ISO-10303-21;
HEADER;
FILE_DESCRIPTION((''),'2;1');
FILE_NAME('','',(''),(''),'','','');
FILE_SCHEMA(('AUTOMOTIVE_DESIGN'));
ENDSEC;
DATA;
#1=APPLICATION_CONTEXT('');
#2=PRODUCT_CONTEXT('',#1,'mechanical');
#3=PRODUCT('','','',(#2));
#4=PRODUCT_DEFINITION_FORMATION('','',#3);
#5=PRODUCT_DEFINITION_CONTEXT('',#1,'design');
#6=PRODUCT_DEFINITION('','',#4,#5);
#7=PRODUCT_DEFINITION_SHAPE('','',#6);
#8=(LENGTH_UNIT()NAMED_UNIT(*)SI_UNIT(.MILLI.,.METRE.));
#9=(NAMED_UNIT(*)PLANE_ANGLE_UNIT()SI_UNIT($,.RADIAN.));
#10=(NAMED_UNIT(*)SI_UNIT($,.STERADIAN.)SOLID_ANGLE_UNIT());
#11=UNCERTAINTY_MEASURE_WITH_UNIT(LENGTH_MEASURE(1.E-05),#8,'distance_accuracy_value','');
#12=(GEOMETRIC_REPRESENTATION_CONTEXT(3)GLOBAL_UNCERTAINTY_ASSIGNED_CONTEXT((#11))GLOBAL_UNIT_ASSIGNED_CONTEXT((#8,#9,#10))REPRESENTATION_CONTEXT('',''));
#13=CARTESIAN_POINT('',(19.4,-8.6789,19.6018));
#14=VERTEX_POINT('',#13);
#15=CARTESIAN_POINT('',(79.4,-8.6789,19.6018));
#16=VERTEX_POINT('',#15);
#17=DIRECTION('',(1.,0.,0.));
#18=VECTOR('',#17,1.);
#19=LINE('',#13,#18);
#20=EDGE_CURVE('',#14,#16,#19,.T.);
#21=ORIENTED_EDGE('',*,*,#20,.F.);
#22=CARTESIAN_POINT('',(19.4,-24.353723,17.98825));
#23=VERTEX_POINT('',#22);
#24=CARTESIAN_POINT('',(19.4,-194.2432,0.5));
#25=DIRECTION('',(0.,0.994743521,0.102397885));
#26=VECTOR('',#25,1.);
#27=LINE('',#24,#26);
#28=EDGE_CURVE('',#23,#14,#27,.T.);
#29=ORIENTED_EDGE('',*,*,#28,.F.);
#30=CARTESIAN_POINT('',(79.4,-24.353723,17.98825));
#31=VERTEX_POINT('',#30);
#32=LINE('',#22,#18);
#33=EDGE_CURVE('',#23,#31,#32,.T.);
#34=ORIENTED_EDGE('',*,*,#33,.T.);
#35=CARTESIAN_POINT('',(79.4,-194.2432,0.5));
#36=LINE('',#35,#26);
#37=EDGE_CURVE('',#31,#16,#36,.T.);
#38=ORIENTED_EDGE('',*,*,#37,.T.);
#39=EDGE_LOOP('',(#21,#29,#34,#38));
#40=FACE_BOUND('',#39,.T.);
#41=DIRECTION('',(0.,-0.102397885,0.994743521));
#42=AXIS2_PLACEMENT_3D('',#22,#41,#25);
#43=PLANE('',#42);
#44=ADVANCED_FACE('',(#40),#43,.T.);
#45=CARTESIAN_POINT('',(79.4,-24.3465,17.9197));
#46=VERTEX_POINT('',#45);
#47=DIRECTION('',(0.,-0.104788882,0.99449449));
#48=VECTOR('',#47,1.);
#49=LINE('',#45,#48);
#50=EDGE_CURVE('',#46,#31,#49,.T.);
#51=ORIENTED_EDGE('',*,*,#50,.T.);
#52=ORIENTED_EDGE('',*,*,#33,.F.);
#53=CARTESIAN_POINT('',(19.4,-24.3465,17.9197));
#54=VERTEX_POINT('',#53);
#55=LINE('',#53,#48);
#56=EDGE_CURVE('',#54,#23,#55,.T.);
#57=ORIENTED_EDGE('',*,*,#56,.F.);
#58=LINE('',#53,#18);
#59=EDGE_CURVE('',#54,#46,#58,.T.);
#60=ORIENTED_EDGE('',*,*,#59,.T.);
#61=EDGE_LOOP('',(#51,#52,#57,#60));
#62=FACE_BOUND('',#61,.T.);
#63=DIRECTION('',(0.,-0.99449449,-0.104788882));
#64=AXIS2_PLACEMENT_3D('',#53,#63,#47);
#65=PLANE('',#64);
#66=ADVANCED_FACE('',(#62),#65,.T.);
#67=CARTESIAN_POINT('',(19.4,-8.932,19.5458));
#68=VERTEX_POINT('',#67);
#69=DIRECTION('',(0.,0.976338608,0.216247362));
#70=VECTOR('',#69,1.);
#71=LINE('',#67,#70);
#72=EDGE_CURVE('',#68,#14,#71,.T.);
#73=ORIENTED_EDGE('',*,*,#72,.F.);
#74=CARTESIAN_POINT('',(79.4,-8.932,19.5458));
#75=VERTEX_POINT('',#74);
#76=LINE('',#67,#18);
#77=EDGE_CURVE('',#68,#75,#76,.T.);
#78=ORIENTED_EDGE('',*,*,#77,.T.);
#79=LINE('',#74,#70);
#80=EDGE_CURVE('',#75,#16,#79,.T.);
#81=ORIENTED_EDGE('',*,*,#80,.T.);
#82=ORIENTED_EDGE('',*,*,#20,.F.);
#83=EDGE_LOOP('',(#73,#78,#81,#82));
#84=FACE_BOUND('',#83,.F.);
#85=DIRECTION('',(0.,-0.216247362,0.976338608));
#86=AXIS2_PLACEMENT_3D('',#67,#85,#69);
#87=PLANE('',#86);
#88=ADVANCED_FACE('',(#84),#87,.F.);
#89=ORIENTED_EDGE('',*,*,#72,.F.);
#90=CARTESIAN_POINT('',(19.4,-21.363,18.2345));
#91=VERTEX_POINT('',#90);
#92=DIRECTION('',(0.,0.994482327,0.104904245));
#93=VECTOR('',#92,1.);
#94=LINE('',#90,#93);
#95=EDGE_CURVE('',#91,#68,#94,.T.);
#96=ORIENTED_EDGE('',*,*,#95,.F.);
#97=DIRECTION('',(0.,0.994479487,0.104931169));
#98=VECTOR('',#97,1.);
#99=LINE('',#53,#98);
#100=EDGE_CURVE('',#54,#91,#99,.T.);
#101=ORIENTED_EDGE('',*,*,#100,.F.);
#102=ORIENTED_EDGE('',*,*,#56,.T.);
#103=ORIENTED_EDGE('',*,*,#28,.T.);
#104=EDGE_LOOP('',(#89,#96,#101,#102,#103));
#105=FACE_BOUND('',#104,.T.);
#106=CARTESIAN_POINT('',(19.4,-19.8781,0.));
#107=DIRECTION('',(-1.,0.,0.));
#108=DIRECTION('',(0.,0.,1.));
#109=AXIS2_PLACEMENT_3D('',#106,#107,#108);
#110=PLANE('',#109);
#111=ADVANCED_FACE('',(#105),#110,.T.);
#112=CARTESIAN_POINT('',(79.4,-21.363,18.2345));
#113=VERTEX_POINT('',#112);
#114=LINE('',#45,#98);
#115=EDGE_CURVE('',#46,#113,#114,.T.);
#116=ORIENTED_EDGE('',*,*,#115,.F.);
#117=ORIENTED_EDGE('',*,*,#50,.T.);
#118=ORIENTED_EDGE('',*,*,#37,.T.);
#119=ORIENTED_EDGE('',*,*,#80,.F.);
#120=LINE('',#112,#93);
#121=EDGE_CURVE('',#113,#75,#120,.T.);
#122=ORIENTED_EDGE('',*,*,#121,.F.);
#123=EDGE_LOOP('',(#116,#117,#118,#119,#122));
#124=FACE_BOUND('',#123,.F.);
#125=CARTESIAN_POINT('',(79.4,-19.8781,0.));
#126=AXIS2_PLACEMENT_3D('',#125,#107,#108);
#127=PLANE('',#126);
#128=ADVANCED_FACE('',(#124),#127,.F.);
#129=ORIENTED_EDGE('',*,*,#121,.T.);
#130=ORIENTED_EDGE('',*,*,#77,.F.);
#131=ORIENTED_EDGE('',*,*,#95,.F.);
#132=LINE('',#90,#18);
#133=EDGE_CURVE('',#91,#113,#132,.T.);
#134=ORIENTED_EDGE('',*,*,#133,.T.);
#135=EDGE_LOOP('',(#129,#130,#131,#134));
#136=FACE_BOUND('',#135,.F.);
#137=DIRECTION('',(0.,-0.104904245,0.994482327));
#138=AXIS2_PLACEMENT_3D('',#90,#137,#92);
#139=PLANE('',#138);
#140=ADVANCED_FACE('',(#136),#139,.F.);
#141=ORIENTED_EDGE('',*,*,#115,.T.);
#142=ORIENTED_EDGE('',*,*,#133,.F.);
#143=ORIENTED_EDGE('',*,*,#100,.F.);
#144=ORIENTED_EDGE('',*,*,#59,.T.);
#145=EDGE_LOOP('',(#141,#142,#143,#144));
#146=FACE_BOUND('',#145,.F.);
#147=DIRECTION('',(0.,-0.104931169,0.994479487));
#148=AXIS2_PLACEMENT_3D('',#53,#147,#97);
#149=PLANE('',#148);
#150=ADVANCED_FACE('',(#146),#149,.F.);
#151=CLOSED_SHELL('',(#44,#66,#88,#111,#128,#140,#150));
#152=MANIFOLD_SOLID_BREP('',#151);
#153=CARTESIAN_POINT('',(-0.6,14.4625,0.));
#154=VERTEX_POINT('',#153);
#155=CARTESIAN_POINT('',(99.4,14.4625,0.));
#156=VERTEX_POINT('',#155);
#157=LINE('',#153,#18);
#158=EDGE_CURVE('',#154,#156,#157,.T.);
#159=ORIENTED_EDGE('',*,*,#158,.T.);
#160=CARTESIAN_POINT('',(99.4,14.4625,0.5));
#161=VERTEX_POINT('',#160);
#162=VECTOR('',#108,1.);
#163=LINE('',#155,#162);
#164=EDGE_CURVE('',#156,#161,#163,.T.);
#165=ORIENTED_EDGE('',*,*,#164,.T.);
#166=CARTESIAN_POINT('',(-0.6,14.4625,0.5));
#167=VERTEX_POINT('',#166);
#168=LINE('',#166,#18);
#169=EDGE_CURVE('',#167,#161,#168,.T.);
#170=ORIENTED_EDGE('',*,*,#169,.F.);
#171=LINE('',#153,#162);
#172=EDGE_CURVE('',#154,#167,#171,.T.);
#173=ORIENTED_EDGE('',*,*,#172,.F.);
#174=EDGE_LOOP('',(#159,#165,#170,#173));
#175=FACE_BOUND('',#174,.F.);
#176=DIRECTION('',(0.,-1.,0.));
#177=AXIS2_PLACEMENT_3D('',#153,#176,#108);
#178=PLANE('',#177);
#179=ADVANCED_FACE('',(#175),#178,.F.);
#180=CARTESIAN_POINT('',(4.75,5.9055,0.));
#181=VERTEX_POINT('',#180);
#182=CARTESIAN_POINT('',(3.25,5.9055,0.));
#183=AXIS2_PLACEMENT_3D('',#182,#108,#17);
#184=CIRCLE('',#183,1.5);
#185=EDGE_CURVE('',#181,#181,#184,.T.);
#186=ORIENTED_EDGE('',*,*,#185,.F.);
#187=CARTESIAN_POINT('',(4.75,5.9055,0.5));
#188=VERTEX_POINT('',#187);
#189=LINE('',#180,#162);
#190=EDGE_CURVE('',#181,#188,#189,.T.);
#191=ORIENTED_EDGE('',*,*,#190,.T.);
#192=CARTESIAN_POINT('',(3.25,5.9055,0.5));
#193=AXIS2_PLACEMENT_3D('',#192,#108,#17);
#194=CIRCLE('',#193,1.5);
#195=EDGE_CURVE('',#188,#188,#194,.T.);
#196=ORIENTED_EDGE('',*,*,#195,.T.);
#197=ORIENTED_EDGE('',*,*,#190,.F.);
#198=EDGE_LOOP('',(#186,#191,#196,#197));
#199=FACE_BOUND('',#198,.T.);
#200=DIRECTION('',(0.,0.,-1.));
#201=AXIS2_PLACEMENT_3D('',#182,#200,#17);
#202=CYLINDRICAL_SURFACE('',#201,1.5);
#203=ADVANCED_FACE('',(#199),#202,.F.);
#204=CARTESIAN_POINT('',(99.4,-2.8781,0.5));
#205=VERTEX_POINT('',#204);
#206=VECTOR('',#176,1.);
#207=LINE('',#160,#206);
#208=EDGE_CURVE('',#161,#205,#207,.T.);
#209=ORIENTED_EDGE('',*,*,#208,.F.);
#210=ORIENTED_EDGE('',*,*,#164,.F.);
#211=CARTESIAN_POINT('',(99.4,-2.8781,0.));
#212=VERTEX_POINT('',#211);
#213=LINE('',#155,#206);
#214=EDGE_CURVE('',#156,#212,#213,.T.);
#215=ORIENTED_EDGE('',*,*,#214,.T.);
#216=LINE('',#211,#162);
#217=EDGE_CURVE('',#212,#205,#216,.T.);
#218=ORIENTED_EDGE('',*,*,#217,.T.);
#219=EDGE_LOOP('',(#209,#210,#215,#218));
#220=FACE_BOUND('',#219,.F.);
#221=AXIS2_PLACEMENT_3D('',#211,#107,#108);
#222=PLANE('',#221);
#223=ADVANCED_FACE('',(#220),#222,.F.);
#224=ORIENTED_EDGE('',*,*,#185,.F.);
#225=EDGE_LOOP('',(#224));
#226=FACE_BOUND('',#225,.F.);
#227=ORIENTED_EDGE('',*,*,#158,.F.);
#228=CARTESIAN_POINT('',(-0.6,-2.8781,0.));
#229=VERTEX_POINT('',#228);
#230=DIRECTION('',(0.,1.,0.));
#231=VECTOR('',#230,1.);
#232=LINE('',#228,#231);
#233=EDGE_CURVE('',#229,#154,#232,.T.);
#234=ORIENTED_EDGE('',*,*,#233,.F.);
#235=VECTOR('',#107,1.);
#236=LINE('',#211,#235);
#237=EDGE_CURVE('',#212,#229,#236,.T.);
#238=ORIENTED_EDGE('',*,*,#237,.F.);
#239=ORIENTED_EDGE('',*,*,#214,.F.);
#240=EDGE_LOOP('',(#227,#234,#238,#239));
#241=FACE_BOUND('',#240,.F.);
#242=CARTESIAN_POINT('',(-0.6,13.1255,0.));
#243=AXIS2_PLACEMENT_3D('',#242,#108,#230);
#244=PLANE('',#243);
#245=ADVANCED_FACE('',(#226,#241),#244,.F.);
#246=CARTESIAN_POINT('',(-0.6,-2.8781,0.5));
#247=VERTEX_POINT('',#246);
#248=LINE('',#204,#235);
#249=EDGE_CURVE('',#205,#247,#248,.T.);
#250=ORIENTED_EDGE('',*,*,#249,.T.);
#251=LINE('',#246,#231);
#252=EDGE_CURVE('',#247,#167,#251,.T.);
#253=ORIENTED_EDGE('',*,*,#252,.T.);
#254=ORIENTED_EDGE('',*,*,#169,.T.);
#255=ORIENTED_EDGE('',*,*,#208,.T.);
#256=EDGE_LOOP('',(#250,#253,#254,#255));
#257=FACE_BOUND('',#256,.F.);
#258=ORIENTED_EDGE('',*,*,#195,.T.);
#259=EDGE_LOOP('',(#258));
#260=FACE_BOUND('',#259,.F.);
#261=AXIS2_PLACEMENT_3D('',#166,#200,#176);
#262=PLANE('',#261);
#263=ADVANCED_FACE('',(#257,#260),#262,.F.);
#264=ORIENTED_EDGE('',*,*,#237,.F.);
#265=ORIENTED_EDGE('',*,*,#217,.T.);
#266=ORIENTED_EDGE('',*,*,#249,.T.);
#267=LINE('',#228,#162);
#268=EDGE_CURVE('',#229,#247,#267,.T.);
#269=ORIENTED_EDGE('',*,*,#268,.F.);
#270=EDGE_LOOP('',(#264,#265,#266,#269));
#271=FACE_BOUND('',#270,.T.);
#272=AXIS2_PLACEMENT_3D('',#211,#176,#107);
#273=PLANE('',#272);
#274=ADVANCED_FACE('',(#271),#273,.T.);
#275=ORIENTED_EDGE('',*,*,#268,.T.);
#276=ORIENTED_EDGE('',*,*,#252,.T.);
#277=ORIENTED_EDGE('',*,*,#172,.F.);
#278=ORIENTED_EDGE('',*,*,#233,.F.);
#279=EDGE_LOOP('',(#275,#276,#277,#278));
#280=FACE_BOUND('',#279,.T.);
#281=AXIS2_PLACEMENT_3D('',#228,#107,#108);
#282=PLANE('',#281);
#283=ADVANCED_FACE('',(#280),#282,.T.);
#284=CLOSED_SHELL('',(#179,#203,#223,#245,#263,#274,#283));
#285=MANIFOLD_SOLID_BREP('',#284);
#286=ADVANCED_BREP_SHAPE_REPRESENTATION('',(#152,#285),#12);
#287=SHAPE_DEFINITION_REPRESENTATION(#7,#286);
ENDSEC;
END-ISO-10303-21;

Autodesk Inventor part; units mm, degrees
ref_plane "YZ Plane" through (0, 0, 0) normal (1, 0, 0) x (0, 1, 0)
ref_plane "XZ Plane" through (0, 0, 0) normal (0, 1, 0) x (-1, 0, 0)
sketch "Szkic1" plane through (0, 0, 0) normal (0, 0, 1) x (1, 0, 0)
  line L0 (-0.6, 0) -> (-0.6, 13.1255) projected
  line L1 (2.7848, 0) -> (-0.6, 0) projected
  spline S0 degree 3 poles (3.0833, 0.1968) (3.0705, 0.1915) (3.0579, 0.186) (2.9555, 0.1384) (2.8611, 0.0732) (2.7848, 0) knots 0.608558 0.608558 0.608558 0.608558 0.612587 0.612587 0.642436 0.642436 0.642436 0.642436 projected
  spline S1 degree 3 poles (3.0833, 0.1968) (3.1541, 0.2257) (3.223, 0.256) (3.5835, 0.4251) (3.888, 0.6087) (4.4504, 1.0382) (4.7087, 1.2836) (5.1613, 1.7912) (5.3932, 2.1042) (5.7913, 2.77) (5.9577, 3.1227) (6.2121, 3.7972) (6.3223, 4.1828) (6.4663, 4.968) (6.5, 5.3675) (6.5, 5.7331) knots -1.428143 -1.428143 -1.428143 -1.428143 -1.406087 -1.406087 -1.308684 -1.308684 -1.211282 -1.211282 -1.104676 -1.104676 -0.99807 -0.99807 -0.888411 -0.888411 -0.778752 -0.778752 -0.778752 -0.778752 projected
  line L2 (6.5, 5.7331) -> (6.5, 13.1255) projected
  line L3 (6.5, 13.1255) -> (-0.6, 13.1255) projected
  circle A0 centre (3.25, 5.9055) radius 1.5 projected
  line L4 (99.4, 0.1219) -> (99.4, 13.1642) projected
  line L5 (92.3, 13.1642) -> (99.4, 13.1642) projected
  line L6 (92.3, 0.1219) -> (92.3, 13.1642) projected
  line L7 (92.3, 0.1219) -> (99.4, 0.1219) projected
  line L8 (-0.6, 13.1255) -> (99.4, 13.1255)
  line L9 (99.4, 13.1255) -> (99.4, 0.1219)
  line L10 (99.4, 0.1219) -> (-0.6, 0.1219)
  line L11 (-0.6, 0.1219) -> (-0.6, 13.1255)
  line L12 (-0.6, 0.1219) -> (99.4, 0.1219)
  line L13 (99.4, 0.1219) -> (99.4, -2.8781)
  line L14 (99.4, -2.8781) -> (-0.6, -2.8781)
  line L15 (-0.6, -2.8781) -> (-0.6, 0.1219)
  line L16 (19.4, 0.1219) -> (79.4, 0.1219)
  line L17 (79.4, 0.1219) -> (79.4, -19.8781)
  line L18 (79.4, -19.8781) -> (19.4, -19.8781)
  line L19 (19.4, -19.8781) -> (19.4, 0.1219)
  ellipse E0 centre (2.95, 26.8204) end of major axis (4.45, 26.8204) minor radius 0.3241 projected
  ellipse E1 centre (49.4, 17.3721) end of major axis (50.4, 17.3721) minor radius 0.2161 projected
  ellipse E2 centre (73.9, 17.3721) end of major axis (74.9, 17.3721) minor radius 0.2161 projected
  ellipse E3 centre (24.9, 19.4245) end of major axis (25.9, 19.4245) minor radius 0.2161 projected
  ellipse E4 centre (95.85, 26.8204) end of major axis (97.35, 26.8204) minor radius 0.3241 projected
  ellipse E5 centre (2.95, 16.7506) end of major axis (4.45, 16.7506) minor radius 0.3241 projected
  ellipse E6 centre (49.4, 19.4245) end of major axis (50.4, 19.4245) minor radius 0.2161 projected
  ellipse E7 centre (73.9, 19.4245) end of major axis (74.9, 19.4245) minor radius 0.2161 projected
  ellipse E8 centre (24.9, 17.3721) end of major axis (25.9, 17.3721) minor radius 0.2161 projected
  ellipse E9 centre (95.85, 16.7506) end of major axis (97.35, 16.7506) minor radius 0.3241 projected
  ellipse E10 centre (44.2014, 21.2376) end of major axis (46.7514, 21.2376) minor radius 0.5509 projected
  ellipse E11 centre (35.3114, 21.2376) end of major axis (37.8614, 21.2376) minor radius 0.5509 projected
  ellipse E12 centre (53.0914, 21.2376) end of major axis (55.6414, 21.2376) minor radius 0.5509 projected
  line L20 (28.3783, 20.6632) -> (17.5183, 20.6632) projected
  line L21 (17.5183, 20.6632) -> (17.5183, 21.3633) projected
  line L22 (17.5183, 21.3633) -> (28.3783, 21.3633) projected
  line L23 (28.3783, 21.3633) -> (28.3783, 20.6632) projected
  line L24 (77.2802, 20.6127) -> (77.2802, 22.1251) projected
  line L25 (77.2802, 22.1251) -> (84.2802, 22.1251) projected
  line L26 (84.2802, 22.1251) -> (84.2802, 20.6127) projected
  line L27 (84.2802, 20.6127) -> (77.2802, 20.6127) projected
  line L28 (99.4, 14.3474) -> (99.4, 29.4709) projected
  line L29 (99.4, 29.4709) -> (-0.6, 29.4709) projected
  line L30 (-0.6, 29.4709) -> (-0.6, 14.3474) projected
  line L31 (-0.6, 14.3474) -> (99.4, 14.3474) projected
  line L32 (99.4, 13.1255) -> (-0.6, 13.1255)
  line L33 (-0.6, 13.1255) -> (-0.6, 14.3474)
  line L34 (-0.6, 14.3474) -> (99.4, 14.3474)
  line L35 (99.4, 14.3474) -> (99.4, 13.1255)
  ellipse E13 centre (95.55, 5.99) end of major axis (97.05, 5.99) minor radius 1.4905 projected
  point P0 (0, 0)
  point P1 (49.4, 0.1219)
  point P2 (49.4, 0.1219)
  point P3 (49.4, 0.1219)
  point P4 (19.4, -2.8781)
  point P5 (79.4, -2.8781)
  point P6 (92.3, 13.1255)
  point P7 (2.9401, 0.1219)
  point P8 (92.3, 13.1255)
  dimension "d0" = 3
  dimension "d1" = 60
  dimension "d2" = 20
extrude "Wyciągnięcie proste1" add sketch "Szkic1" along normal blind 0.5 contours L0 L10 S0 L1 | L1 S0 L10 L19 L14 L15 | L0 L3 L2 S1 S0 L10 | S0 S1 L2 L8 L6 L10 | L19 L10 L17 L14 | L14 L17 L18 L19 | L17 L10 L7 L13 L14 | L8 L4 L7 L6 | E13
sketch "Szkic2" plane through (-0.6, -2.8781, 0) normal (-1, 0, 0) x (0, 0, 1)
  line L0 (0, 16.0036) -> (0, 0) projected
  line L1 (0, 0) -> (0.5, 0) projected
  line L2 (0.5, 16.0036) -> (0.5, 0) projected
  line L3 (0, 16.0036) -> (0.5, 16.0036) projected
  line L4 (0.5, 16.0036) -> (0, 16.0036)
  line L5 (0, 16.0036) -> (0, 17.3406)
  line L6 (0, 17.3406) -> (0.5, 17.3406)
  line L7 (0.5, 17.3406) -> (0.5, 16.0036)
  point P0 (0, 2.8781)
ref_plane "Płaszczyzna konstrukcyjna1" through (99.4, 13.8592, -68.0339) normal (1, 0, 0) x (0, 0.9764, 0.2161)
extrude "Wyciągnięcie proste2" add sketch "Szkic2" against normal up to surface (100 mm away) contours L5 L6 L7 L3
sketch "Szkic3" plane through (19.4, -19.8781, 0) normal (-1, 0, 0) x (0, 0, 1)
  line L0 (0, 17) -> (0, 0) projected
  line L1 (0, 0) -> (0.5, 0) projected
  line L2 (0.5, 17) -> (0.5, 0) projected
  line L3 (0, 17) -> (0.5, 17) projected
  line L4 (18.2345, -1.4849) -> (19.5458, 10.9461) projected
  line L5 (17.9197, -4.4684) -> (18.2345, -1.4849) projected
  line L6 (17.9197, -4.4684) -> (18.417, -4.5208)
  line L7 (18.417, -4.5208) -> (0.5, -174.3651)
  line L8 (19.5458, 10.9461) -> (19.6229, 11.2942)
  line L9 (0.5, -174.3651) -> (19.6018, 11.1992)
  point P0 (0, 19.8781)
  point P1 (0.0183, 10.8546)
  point P2 (17.9883, -4.4756)
  dimension "d7" = 0.5
extrude "Wyciągnięcie proste3" add sketch "Szkic3" against normal up to surface (60 mm away) contours L4 L8 L9 L6 L5
sketch "Szkic4" plane through (19.4, -19.8781, 0.5) normal (-1, 0, 0) x (0, 0, 1)
  line L0 (-0.5, 17) -> (-0.5, 0) projected
  line L1 (-0.5, 0) -> (0, 0) projected
  line L2 (0, 17) -> (0, 0) projected
  line L3 (-0.5, 17) -> (0, 17) projected
  line L4 (-0.5, 0) -> (-0.5, 17) projected
  line L5 (-0.5, 8.7524) -> (0.9116, 15.1318)
  point P0 (-0.5, 19.8781)
  point P1 (0, 11.012)
extrude "Wyciągnięcie proste4" cut sketch "Szkic4" against normal through all
sketch "Szkic5" plane through (19.4, -24.3493, -2.8991) normal (0, -0.2161, 0.9764) x (1, 0, 0)
  ellipse E0 centre (55, 12.4499) end of major axis (56, 12.4499) minor radius 0.9937 projected
  ellipse E1 centre (5, 12.4499) end of major axis (6, 12.4499) minor radius 0.9937 projected
  point P0 (-19.4, 24.4006)
extrude "Wyciągnięcie proste5" [suppressed]
properties part number "pokrywa tylna"
